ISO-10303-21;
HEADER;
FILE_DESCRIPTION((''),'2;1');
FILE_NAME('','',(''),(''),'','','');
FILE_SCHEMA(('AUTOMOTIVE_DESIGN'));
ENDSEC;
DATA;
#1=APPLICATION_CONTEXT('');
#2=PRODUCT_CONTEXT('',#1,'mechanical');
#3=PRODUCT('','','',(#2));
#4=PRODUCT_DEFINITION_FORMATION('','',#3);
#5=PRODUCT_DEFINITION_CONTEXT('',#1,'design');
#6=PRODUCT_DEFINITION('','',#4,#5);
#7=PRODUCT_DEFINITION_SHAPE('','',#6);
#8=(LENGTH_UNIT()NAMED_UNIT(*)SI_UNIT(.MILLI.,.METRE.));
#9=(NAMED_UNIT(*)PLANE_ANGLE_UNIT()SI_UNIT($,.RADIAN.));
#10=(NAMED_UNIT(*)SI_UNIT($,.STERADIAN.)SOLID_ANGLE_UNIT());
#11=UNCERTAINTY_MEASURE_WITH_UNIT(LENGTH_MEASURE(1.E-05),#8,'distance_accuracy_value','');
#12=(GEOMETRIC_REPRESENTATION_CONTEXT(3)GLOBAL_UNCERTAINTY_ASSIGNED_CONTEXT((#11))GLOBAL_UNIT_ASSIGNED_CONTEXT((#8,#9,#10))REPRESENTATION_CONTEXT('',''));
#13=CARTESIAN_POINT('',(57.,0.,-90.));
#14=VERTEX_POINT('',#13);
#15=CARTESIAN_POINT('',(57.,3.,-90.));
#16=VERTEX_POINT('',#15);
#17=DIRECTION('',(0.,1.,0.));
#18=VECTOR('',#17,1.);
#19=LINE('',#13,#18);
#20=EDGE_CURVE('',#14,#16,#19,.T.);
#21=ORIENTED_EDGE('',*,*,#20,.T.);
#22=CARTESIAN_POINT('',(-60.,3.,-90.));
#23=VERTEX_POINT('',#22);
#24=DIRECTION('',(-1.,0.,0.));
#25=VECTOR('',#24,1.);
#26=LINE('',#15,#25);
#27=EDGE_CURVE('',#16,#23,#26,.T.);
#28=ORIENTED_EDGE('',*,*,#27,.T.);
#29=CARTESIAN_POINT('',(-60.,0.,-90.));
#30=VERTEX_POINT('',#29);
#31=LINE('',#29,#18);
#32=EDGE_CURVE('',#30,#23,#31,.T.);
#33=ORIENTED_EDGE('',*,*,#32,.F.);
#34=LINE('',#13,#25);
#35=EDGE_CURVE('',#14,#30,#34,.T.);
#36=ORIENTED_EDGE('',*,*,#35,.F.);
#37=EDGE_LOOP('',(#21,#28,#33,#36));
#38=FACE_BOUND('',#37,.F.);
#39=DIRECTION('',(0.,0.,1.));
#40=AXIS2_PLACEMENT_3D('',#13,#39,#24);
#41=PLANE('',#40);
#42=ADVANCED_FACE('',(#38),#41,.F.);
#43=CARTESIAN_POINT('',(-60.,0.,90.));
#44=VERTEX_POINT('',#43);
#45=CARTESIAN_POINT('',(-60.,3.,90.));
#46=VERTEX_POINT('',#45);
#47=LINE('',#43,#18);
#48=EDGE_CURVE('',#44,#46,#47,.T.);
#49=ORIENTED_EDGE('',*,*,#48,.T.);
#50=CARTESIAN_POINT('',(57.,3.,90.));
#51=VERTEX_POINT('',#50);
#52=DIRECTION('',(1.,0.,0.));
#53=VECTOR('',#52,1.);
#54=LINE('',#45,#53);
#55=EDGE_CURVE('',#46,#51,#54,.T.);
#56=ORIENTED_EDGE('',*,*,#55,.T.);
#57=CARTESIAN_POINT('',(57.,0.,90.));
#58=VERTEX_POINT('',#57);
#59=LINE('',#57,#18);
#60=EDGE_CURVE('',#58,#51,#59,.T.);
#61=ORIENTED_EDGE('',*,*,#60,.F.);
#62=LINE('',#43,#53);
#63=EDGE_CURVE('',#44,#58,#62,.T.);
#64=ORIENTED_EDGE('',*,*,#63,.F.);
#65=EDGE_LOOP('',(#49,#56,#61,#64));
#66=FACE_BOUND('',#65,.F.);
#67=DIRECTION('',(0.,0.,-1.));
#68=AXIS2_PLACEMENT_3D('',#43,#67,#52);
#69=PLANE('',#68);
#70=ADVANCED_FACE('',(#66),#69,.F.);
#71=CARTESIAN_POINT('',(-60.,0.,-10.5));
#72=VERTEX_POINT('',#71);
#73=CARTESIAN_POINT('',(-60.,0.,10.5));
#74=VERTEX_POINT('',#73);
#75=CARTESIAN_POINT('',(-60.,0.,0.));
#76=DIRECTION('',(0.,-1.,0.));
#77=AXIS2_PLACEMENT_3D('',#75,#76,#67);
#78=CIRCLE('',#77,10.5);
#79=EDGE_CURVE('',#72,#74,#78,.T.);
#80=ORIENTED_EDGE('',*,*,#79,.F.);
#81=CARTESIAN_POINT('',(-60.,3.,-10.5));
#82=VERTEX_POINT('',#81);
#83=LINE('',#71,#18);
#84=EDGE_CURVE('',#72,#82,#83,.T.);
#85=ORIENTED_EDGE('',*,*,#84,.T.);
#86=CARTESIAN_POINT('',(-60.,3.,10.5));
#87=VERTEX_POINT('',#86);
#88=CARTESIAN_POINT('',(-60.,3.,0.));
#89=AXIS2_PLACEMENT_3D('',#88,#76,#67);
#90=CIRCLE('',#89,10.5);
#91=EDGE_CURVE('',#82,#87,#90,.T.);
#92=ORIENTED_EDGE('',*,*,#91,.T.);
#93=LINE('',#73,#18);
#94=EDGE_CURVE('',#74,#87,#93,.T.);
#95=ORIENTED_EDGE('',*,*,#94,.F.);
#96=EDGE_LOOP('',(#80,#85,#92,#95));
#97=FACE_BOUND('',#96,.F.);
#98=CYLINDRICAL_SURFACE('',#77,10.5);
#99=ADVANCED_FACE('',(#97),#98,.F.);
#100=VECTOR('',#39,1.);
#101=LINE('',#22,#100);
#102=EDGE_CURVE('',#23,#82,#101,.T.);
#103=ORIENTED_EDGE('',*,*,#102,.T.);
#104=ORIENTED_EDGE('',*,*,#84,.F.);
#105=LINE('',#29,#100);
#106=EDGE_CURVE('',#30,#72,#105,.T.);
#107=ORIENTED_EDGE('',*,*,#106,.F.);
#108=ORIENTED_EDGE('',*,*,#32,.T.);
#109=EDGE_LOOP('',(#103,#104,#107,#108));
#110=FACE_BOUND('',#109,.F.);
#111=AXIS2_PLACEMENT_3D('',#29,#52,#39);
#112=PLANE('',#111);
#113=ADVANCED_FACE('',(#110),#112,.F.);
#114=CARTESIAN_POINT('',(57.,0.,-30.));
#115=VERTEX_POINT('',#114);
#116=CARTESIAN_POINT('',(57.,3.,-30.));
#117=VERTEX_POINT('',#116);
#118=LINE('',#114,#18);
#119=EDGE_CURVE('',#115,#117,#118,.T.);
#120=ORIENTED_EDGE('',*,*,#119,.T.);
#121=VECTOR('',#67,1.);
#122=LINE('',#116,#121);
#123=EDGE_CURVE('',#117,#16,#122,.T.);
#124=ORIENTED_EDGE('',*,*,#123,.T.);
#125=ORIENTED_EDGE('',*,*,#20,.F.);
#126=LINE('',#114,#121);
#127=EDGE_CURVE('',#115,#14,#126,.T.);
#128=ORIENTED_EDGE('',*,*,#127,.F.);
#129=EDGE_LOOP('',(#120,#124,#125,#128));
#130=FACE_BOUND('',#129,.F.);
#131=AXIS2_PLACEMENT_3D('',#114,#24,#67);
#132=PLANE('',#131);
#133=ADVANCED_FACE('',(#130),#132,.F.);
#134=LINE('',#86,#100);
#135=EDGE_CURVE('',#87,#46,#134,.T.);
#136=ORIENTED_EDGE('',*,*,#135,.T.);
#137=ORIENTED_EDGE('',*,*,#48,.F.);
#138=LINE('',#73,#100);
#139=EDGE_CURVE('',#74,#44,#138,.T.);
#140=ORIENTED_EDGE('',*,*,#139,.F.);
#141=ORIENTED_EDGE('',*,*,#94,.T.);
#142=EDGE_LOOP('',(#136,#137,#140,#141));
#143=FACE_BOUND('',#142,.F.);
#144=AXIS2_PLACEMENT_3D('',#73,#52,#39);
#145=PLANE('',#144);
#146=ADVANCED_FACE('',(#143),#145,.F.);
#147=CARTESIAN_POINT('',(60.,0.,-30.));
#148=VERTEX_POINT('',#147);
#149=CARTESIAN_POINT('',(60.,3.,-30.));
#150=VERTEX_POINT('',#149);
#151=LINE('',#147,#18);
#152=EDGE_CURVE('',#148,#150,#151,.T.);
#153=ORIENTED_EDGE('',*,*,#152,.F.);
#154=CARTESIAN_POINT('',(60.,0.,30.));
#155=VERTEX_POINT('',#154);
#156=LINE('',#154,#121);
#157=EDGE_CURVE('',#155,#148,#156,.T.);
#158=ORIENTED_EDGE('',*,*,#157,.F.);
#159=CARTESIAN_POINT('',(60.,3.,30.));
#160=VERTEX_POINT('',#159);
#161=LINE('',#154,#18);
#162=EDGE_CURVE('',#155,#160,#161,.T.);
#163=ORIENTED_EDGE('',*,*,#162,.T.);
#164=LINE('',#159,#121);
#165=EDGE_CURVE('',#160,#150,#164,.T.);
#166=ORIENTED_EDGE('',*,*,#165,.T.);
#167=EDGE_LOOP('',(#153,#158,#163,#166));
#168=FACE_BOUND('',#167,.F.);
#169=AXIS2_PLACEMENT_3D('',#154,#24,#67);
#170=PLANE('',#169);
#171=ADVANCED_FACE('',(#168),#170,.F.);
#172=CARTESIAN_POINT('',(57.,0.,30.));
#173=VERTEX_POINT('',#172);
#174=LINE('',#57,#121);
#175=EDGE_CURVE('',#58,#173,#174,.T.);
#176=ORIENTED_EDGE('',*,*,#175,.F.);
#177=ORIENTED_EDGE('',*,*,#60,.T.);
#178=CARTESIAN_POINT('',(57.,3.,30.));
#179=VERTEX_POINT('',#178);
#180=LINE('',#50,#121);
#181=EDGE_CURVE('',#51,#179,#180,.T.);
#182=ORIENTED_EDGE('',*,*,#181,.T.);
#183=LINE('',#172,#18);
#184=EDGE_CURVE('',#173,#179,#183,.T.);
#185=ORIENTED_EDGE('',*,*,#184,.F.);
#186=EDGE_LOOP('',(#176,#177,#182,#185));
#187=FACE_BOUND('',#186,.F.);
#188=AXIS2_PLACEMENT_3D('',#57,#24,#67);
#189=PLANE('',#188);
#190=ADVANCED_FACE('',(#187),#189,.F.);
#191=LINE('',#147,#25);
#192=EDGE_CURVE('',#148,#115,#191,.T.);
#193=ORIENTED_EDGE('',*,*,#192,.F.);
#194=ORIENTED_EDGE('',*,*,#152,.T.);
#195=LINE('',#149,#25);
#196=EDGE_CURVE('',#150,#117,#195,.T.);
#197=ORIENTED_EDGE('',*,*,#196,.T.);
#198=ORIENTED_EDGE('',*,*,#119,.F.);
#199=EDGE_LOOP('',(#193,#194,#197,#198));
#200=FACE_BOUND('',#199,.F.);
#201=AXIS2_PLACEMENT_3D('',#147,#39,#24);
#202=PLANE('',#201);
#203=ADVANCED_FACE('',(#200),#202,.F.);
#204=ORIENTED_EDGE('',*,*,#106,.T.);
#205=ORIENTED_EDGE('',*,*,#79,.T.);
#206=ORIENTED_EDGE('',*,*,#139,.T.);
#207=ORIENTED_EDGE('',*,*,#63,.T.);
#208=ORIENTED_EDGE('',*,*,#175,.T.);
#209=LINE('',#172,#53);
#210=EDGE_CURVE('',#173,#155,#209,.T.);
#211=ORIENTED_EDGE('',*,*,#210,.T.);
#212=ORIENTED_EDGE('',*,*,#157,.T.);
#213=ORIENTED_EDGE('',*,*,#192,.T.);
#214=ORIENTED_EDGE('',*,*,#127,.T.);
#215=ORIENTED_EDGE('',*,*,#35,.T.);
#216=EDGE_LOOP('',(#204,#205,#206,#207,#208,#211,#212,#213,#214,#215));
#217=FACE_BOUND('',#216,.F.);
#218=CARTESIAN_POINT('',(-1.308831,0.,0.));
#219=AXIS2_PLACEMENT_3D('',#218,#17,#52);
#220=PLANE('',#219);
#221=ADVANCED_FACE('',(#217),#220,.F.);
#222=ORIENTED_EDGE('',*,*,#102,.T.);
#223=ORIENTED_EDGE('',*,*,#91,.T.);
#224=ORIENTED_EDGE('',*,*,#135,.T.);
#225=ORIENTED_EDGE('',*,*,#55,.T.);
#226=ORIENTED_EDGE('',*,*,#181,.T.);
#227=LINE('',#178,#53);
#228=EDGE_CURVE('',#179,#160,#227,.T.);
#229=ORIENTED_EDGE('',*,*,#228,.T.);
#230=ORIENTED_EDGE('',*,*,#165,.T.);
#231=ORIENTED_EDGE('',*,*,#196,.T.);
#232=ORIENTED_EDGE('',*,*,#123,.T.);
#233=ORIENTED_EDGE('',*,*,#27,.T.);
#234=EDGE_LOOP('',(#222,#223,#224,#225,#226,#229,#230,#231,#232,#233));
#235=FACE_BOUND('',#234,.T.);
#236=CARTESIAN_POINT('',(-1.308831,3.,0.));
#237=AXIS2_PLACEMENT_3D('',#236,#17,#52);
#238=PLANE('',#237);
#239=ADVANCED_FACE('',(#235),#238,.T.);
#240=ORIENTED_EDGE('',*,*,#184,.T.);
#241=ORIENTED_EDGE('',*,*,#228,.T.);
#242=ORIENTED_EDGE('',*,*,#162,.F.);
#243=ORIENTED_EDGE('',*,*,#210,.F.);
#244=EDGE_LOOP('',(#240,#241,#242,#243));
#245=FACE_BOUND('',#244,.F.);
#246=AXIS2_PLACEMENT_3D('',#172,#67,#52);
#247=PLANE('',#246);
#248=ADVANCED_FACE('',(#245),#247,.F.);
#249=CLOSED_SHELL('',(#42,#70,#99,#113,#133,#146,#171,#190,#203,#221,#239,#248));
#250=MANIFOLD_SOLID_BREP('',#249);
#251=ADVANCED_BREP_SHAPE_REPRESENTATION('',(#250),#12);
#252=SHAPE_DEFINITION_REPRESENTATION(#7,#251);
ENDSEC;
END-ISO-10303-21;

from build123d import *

# Parameters (mm, degrees)
BOSS_EXTRUDE2_DEPTH = 3


with BuildPart() as part:
    # Sketch1 → Boss-Extrude2 (new body)
    with BuildSketch(Plane(origin=(0, 0, 0), x_dir=(1, 0, 0), z_dir=(0, 1, 0))):
        with BuildLine():
            Line((-60, -10.5), (-60, -90))
            Line((-60, -90), (57, -90))
            Line((57, -90), (57, -30))
            Line((57, -30), (60, -30))
            Line((60, -30), (60, 30))
            Line((60, 30), (57, 30))
            Line((57, 30), (57, 90))
            Line((57, 90), (-60, 90))
            Line((-60, 90), (-60, 10.5))
            ThreePointArc((-60, 10.5), (-49.5, 0), (-60, -10.5))
        make_face()
    extrude(amount=BOSS_EXTRUDE2_DEPTH)


solid = part.part
